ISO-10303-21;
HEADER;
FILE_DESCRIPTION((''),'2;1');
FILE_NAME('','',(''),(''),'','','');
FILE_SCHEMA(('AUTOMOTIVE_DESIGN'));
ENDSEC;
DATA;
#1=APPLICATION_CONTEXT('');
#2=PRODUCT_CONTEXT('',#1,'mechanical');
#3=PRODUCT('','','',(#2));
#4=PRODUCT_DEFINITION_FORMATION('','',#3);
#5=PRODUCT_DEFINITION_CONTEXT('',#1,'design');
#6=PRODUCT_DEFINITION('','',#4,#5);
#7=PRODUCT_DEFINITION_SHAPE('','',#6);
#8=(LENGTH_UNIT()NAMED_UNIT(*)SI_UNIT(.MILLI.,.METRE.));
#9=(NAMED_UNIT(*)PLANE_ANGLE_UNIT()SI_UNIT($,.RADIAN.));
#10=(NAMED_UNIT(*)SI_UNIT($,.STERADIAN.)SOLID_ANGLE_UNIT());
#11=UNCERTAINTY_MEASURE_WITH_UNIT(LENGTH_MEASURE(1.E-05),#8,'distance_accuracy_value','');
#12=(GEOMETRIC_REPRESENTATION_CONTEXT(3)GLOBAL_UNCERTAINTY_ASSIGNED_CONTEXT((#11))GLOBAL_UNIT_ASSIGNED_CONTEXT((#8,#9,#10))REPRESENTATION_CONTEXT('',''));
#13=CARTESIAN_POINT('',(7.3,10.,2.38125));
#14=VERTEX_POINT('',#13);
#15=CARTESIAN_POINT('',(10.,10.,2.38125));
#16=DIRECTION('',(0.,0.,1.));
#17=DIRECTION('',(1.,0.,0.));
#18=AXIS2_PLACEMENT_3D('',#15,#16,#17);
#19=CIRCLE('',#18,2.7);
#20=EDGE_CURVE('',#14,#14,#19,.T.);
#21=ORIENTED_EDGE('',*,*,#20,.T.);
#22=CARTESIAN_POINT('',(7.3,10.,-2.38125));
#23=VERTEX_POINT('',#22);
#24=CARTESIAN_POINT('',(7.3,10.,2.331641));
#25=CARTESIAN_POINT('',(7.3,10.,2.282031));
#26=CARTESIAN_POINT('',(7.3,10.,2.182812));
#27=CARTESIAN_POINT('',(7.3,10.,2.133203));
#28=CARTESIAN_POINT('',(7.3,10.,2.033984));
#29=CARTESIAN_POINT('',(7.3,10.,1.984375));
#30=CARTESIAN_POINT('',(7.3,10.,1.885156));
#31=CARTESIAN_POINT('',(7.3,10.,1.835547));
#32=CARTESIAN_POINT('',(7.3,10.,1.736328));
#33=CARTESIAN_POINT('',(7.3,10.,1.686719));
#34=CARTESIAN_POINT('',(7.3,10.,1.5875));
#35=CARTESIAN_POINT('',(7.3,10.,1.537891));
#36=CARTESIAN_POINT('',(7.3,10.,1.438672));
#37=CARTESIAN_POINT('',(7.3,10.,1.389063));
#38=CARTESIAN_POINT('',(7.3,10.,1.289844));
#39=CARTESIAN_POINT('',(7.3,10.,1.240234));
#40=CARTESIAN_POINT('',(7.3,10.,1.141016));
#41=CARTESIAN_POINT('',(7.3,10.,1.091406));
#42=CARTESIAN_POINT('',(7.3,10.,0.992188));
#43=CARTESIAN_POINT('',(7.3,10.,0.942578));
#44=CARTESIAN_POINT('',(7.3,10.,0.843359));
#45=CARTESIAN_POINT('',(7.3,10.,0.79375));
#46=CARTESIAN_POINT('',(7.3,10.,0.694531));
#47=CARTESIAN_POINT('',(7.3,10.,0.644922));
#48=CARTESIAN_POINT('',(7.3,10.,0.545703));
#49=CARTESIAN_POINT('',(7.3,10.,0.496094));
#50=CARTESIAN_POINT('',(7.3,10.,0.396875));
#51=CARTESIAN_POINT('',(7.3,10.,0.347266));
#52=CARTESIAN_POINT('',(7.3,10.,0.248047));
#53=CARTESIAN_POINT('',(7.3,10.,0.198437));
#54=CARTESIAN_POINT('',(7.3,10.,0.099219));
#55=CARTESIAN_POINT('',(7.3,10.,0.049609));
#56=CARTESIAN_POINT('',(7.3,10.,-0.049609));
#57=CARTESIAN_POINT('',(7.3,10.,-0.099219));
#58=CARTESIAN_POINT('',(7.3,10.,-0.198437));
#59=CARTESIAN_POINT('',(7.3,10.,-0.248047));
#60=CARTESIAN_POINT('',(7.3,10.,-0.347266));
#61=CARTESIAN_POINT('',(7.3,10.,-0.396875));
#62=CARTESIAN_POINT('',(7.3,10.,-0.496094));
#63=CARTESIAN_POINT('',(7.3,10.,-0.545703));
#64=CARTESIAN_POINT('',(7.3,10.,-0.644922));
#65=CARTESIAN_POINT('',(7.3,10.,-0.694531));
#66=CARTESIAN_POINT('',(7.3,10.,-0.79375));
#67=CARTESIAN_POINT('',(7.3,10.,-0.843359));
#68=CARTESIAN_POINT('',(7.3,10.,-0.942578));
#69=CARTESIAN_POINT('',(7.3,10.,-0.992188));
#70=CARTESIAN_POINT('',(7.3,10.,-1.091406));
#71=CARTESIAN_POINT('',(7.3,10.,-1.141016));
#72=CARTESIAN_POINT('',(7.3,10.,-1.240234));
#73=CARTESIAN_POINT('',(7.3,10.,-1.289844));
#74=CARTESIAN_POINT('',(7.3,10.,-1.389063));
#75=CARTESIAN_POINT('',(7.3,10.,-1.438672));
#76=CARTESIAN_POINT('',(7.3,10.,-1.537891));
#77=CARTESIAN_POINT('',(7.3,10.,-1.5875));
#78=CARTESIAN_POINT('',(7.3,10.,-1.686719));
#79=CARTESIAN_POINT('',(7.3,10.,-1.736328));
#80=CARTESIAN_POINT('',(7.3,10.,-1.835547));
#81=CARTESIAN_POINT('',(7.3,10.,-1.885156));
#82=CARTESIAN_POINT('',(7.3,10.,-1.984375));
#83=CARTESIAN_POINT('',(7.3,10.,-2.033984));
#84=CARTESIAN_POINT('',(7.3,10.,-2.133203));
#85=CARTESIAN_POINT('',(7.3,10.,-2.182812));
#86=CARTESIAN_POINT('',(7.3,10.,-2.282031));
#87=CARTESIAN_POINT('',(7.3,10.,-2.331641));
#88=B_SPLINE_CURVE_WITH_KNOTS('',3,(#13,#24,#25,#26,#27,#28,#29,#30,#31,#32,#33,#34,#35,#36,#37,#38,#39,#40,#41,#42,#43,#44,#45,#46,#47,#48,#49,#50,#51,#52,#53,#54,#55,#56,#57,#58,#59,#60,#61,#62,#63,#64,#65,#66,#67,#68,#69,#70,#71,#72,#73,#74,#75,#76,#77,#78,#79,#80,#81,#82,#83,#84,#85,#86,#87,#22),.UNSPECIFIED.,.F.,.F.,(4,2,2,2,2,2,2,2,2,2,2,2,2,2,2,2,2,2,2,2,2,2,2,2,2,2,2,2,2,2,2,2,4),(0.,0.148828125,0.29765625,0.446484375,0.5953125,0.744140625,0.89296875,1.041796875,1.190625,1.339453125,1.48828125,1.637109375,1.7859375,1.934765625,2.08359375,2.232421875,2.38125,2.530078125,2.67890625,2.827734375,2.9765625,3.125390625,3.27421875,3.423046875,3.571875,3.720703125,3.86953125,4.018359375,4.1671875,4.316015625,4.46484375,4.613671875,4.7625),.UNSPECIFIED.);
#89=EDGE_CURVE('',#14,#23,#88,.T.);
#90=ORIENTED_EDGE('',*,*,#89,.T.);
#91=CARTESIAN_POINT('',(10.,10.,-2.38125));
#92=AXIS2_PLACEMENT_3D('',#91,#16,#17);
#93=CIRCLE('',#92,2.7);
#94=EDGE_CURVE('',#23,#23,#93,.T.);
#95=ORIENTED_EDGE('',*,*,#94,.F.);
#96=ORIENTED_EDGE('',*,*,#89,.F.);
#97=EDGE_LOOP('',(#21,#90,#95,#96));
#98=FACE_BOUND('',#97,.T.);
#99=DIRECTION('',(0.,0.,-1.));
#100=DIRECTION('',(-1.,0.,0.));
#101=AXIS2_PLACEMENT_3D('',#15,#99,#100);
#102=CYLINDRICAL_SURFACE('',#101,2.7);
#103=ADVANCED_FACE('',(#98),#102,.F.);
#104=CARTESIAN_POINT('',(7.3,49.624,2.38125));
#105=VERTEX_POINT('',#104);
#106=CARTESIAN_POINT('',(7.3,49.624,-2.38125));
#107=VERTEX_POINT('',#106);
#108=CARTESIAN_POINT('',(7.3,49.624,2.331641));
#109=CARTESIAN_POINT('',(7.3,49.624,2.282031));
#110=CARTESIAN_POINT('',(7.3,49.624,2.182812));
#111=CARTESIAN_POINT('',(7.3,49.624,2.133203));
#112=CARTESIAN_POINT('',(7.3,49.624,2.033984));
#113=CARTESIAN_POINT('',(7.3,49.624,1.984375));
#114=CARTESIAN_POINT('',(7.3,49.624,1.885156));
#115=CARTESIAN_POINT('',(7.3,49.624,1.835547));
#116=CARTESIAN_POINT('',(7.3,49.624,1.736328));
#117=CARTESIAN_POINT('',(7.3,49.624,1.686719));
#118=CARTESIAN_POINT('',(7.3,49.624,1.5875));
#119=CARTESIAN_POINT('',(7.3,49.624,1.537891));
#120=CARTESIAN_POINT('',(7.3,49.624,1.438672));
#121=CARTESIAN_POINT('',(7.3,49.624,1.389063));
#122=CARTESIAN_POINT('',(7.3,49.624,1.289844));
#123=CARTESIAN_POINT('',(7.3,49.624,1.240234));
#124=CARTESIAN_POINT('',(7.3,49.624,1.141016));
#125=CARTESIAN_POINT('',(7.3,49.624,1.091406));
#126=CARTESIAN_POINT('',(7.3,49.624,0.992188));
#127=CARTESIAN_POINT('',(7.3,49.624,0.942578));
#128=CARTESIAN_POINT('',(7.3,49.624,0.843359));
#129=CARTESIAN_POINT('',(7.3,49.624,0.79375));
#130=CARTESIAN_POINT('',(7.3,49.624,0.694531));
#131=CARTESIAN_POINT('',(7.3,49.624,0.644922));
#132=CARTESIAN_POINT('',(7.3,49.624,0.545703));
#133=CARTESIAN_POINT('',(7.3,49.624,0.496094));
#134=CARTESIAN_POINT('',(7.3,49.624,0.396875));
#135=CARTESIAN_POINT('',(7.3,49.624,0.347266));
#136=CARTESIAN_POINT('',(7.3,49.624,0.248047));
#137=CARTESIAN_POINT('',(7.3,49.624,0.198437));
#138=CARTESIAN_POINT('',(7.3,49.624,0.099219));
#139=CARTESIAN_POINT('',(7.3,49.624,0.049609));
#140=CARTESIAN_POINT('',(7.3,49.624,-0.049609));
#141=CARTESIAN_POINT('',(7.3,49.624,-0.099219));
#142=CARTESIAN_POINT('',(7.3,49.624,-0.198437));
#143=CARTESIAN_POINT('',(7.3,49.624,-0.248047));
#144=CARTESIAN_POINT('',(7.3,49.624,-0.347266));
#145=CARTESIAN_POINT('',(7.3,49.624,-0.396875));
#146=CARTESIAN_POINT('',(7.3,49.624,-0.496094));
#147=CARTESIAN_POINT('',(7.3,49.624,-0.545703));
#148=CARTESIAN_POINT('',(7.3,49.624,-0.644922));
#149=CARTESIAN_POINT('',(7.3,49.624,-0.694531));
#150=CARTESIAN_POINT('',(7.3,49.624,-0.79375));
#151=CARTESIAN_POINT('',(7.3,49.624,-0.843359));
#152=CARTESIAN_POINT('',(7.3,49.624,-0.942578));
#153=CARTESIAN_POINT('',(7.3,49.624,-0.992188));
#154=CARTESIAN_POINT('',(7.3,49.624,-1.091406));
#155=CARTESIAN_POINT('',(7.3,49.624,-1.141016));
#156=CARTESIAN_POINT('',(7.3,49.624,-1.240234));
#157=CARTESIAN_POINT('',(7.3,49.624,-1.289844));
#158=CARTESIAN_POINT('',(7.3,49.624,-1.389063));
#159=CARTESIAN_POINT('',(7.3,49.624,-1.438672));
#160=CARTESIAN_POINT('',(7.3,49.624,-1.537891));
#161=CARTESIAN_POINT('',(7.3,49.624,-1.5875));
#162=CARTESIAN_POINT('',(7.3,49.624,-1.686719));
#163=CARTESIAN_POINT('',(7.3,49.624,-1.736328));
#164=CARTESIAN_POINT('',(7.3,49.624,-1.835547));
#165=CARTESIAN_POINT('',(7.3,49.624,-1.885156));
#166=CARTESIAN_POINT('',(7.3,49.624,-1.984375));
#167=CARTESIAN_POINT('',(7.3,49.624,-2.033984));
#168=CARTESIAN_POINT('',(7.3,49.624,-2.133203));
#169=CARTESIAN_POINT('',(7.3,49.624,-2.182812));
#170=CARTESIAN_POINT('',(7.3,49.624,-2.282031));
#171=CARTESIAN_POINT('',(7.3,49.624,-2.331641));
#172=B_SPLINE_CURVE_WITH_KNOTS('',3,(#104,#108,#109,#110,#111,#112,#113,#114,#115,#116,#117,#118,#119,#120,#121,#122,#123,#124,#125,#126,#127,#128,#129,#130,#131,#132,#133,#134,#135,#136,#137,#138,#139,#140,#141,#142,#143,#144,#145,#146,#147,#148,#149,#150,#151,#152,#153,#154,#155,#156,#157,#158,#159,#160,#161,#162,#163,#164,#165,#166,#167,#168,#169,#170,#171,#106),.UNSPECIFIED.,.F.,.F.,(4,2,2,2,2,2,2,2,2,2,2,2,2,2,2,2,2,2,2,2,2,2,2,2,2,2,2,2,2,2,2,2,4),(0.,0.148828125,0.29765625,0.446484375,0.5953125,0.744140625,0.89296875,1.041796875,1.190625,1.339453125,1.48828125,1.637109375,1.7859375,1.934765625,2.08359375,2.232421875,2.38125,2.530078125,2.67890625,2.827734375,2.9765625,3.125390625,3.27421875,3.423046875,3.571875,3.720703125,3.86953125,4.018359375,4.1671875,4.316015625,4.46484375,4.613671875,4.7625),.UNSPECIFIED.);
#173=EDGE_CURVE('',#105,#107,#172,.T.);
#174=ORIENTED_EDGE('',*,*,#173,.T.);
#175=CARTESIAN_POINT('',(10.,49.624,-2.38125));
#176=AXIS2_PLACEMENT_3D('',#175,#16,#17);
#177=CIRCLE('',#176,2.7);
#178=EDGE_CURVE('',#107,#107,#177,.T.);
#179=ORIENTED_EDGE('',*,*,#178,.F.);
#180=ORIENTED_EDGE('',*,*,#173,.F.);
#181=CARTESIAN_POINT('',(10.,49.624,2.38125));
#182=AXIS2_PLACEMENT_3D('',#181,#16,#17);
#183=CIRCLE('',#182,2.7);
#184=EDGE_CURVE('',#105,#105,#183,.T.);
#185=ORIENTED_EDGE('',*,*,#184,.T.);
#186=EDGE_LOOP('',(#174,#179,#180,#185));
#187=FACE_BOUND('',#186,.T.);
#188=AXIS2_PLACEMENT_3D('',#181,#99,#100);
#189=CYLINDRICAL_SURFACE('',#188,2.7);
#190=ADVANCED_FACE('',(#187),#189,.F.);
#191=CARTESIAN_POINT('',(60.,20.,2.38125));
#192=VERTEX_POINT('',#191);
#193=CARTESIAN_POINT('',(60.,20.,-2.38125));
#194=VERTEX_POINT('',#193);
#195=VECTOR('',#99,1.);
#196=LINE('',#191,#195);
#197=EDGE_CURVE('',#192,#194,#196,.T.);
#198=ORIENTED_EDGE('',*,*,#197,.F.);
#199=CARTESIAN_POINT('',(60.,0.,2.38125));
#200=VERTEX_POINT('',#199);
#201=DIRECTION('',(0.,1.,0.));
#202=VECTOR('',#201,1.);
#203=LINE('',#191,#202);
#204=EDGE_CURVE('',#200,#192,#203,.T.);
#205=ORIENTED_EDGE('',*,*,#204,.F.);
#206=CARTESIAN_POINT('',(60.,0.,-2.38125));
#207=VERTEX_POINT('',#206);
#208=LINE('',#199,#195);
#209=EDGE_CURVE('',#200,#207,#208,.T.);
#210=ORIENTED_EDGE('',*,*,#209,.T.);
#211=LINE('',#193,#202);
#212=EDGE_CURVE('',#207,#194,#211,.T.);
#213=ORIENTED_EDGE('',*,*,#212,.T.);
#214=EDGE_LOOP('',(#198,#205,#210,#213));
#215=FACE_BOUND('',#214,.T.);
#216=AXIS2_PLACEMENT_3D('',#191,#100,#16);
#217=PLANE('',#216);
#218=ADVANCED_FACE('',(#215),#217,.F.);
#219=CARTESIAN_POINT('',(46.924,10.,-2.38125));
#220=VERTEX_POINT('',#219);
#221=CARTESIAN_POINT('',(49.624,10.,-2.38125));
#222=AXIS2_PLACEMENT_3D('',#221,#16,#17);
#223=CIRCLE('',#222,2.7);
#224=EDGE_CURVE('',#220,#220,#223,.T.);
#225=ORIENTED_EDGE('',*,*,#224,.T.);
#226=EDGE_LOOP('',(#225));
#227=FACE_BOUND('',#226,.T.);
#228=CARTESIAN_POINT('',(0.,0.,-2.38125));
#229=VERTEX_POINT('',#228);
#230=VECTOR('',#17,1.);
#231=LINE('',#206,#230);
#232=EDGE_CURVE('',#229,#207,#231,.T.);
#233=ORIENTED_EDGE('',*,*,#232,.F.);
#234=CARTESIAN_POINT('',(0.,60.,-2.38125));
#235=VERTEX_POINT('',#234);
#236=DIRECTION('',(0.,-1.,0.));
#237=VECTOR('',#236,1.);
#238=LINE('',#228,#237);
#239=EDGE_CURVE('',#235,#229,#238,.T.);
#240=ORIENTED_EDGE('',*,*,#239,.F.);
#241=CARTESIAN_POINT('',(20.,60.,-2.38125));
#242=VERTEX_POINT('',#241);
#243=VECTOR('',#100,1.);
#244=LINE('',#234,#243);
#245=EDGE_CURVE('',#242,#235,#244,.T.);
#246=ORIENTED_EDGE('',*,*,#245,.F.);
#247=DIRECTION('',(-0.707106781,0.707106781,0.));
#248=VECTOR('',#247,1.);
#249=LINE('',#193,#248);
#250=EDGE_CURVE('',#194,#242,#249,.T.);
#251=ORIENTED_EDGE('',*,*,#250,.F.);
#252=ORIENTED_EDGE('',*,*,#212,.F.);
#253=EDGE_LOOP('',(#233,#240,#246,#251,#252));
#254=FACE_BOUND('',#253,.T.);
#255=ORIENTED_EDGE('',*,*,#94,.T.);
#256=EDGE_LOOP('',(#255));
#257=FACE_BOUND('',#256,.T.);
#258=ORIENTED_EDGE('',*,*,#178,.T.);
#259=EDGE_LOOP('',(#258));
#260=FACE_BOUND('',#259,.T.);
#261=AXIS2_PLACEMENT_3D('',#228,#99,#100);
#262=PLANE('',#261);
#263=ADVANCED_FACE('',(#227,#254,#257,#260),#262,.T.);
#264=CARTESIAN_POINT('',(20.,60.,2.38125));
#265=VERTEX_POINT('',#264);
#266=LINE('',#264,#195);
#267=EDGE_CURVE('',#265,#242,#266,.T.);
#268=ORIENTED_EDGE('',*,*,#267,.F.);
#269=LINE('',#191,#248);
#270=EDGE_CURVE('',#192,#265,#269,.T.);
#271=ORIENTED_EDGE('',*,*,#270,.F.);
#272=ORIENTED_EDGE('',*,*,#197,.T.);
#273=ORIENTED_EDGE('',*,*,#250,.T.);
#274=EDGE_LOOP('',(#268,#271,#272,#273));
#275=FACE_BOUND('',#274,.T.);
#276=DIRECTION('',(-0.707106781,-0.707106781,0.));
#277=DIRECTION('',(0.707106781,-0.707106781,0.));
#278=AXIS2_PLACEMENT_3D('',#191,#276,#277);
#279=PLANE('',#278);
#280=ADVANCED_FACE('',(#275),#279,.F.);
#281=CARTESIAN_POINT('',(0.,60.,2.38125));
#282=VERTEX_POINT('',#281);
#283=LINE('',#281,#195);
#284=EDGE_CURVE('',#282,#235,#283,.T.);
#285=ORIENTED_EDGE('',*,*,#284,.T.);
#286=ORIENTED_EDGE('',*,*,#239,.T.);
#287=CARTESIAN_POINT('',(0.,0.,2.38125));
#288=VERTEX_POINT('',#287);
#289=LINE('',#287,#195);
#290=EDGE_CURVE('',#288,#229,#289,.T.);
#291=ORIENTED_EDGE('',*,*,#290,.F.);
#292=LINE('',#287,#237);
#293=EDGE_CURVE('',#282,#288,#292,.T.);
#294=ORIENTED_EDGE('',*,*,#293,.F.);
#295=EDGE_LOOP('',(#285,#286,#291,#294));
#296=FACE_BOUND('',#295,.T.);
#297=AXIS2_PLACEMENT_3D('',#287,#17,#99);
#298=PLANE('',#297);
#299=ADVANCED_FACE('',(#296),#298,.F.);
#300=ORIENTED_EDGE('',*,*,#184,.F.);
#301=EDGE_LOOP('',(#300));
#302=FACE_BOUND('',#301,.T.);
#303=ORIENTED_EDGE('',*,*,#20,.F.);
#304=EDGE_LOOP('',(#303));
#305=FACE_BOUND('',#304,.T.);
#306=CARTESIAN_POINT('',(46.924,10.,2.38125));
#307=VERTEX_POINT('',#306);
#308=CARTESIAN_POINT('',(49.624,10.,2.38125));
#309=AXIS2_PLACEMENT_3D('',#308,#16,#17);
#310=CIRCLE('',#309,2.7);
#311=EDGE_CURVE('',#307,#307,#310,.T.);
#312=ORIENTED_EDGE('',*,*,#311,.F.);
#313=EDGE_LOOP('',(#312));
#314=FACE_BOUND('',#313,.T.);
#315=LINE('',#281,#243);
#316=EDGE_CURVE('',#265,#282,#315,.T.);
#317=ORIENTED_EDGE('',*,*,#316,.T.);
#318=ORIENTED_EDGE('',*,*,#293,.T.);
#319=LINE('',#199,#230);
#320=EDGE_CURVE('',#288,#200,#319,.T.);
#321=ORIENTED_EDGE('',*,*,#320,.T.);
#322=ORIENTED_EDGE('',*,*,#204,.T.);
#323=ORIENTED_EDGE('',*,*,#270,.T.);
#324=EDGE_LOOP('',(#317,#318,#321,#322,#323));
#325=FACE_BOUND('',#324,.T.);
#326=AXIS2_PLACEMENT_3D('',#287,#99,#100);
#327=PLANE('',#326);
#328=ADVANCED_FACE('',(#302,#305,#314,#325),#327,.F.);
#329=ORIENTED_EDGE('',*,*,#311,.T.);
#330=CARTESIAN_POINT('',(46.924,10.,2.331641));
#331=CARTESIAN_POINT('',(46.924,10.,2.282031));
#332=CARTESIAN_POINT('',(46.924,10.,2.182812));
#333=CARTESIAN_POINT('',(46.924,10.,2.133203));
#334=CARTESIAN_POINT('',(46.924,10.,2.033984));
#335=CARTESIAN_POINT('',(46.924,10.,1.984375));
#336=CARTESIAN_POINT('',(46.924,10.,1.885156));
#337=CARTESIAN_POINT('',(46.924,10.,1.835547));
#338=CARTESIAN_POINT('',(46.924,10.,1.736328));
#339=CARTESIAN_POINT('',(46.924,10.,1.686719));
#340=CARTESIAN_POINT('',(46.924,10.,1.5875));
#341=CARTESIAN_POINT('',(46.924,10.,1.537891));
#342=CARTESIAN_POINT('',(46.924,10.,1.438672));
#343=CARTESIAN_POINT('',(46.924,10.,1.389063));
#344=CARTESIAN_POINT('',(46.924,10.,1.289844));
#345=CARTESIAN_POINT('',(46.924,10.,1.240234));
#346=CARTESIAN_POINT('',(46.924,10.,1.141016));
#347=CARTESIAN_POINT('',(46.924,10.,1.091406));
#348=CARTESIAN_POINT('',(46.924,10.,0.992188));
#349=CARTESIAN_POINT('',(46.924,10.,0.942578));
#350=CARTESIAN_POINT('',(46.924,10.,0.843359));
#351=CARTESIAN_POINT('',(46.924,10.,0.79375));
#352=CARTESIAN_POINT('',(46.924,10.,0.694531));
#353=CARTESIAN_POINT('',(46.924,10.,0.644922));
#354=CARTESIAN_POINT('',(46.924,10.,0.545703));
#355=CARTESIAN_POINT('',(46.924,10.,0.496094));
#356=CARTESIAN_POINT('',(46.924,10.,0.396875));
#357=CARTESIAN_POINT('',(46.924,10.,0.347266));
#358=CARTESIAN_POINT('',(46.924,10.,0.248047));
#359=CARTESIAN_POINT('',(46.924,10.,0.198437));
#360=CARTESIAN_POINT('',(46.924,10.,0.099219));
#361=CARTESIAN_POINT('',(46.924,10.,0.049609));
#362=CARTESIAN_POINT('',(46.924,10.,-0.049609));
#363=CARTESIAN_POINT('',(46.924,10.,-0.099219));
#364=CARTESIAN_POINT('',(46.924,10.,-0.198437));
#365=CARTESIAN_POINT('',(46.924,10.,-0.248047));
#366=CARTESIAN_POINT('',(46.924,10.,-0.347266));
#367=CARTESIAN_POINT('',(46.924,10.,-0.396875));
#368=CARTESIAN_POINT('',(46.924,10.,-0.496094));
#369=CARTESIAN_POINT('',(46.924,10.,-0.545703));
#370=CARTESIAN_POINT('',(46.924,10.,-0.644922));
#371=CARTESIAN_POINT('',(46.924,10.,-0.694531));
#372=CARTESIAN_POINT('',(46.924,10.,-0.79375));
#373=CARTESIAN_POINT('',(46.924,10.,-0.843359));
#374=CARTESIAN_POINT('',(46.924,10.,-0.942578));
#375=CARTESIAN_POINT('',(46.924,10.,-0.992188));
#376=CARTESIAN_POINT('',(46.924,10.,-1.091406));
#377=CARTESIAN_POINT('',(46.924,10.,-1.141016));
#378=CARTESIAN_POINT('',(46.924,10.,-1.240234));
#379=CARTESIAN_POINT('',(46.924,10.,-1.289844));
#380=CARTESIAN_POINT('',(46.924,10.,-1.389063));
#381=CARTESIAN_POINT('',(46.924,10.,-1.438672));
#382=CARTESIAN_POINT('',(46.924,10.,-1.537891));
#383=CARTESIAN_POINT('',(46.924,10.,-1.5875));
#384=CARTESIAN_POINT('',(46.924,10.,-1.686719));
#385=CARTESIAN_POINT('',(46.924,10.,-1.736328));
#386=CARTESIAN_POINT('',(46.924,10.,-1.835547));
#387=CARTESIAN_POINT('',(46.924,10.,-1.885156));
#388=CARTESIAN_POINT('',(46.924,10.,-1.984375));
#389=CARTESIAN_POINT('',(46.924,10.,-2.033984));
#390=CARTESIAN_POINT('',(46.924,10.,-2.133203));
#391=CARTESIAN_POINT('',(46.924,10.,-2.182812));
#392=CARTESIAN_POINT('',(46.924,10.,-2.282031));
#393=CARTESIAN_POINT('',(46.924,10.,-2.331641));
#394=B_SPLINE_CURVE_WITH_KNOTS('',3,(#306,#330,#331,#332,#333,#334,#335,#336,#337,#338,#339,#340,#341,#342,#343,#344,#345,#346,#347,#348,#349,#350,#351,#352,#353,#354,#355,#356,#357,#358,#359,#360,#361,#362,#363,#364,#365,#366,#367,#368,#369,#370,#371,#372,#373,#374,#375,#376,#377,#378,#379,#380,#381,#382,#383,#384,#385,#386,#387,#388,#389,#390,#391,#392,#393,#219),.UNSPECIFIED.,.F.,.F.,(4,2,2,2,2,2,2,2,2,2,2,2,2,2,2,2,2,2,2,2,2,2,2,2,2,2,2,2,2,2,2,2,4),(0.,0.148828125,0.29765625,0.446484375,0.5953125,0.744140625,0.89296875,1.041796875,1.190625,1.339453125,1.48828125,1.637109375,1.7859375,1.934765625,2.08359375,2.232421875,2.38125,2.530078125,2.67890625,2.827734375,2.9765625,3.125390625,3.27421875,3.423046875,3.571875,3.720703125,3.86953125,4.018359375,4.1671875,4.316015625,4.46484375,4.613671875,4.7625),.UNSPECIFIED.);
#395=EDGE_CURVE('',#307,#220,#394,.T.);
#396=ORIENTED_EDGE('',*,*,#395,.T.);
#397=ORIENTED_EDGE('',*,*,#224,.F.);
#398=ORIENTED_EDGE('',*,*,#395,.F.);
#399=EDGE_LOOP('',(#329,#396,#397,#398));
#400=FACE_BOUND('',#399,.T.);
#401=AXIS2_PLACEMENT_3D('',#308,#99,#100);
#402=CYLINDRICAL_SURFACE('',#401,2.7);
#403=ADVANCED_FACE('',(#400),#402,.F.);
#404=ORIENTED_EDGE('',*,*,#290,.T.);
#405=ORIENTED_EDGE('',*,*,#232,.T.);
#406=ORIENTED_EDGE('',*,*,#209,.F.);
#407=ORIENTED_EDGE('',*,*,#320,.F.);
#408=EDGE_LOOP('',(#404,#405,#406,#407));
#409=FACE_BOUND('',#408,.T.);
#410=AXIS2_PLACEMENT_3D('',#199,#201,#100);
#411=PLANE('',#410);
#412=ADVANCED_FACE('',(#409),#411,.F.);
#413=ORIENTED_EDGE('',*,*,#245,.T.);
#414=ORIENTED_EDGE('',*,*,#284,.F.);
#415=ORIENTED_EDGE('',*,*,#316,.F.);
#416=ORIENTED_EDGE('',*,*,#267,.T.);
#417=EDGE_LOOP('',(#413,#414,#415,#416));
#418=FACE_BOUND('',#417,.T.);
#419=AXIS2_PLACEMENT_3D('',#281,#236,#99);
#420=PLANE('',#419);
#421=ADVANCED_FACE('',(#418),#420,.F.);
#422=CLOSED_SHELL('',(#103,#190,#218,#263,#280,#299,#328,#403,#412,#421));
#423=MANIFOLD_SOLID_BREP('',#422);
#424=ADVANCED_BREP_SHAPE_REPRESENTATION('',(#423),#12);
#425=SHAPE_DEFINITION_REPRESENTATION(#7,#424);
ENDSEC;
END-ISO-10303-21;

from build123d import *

# Parameters (mm, degrees)
SKETCH1_R           = 2.7
BOSS_EXTRUDE1_DEPTH = 2.38125


with BuildPart() as part:
    # Sketch1 → Boss-Extrude1 (new, symmetric)
    with BuildSketch(Plane.XY):
        Polygon((0, 0), (0, 60), (20, 60), (60, 20), (60, 0), align=None)
        with Locations(Location((10, 10, 0), (0, 0, 180))):
            Circle(SKETCH1_R, mode=Mode.SUBTRACT)
        with Locations(Location((49.624, 10, 0), (0, 0, 180))):
            Circle(SKETCH1_R, mode=Mode.SUBTRACT)
        with Locations(Location((10, 49.624, 0), (0, 0, 180))):
            Circle(SKETCH1_R, mode=Mode.SUBTRACT)
    extrude(amount=BOSS_EXTRUDE1_DEPTH, both=True)


solid = part.part
